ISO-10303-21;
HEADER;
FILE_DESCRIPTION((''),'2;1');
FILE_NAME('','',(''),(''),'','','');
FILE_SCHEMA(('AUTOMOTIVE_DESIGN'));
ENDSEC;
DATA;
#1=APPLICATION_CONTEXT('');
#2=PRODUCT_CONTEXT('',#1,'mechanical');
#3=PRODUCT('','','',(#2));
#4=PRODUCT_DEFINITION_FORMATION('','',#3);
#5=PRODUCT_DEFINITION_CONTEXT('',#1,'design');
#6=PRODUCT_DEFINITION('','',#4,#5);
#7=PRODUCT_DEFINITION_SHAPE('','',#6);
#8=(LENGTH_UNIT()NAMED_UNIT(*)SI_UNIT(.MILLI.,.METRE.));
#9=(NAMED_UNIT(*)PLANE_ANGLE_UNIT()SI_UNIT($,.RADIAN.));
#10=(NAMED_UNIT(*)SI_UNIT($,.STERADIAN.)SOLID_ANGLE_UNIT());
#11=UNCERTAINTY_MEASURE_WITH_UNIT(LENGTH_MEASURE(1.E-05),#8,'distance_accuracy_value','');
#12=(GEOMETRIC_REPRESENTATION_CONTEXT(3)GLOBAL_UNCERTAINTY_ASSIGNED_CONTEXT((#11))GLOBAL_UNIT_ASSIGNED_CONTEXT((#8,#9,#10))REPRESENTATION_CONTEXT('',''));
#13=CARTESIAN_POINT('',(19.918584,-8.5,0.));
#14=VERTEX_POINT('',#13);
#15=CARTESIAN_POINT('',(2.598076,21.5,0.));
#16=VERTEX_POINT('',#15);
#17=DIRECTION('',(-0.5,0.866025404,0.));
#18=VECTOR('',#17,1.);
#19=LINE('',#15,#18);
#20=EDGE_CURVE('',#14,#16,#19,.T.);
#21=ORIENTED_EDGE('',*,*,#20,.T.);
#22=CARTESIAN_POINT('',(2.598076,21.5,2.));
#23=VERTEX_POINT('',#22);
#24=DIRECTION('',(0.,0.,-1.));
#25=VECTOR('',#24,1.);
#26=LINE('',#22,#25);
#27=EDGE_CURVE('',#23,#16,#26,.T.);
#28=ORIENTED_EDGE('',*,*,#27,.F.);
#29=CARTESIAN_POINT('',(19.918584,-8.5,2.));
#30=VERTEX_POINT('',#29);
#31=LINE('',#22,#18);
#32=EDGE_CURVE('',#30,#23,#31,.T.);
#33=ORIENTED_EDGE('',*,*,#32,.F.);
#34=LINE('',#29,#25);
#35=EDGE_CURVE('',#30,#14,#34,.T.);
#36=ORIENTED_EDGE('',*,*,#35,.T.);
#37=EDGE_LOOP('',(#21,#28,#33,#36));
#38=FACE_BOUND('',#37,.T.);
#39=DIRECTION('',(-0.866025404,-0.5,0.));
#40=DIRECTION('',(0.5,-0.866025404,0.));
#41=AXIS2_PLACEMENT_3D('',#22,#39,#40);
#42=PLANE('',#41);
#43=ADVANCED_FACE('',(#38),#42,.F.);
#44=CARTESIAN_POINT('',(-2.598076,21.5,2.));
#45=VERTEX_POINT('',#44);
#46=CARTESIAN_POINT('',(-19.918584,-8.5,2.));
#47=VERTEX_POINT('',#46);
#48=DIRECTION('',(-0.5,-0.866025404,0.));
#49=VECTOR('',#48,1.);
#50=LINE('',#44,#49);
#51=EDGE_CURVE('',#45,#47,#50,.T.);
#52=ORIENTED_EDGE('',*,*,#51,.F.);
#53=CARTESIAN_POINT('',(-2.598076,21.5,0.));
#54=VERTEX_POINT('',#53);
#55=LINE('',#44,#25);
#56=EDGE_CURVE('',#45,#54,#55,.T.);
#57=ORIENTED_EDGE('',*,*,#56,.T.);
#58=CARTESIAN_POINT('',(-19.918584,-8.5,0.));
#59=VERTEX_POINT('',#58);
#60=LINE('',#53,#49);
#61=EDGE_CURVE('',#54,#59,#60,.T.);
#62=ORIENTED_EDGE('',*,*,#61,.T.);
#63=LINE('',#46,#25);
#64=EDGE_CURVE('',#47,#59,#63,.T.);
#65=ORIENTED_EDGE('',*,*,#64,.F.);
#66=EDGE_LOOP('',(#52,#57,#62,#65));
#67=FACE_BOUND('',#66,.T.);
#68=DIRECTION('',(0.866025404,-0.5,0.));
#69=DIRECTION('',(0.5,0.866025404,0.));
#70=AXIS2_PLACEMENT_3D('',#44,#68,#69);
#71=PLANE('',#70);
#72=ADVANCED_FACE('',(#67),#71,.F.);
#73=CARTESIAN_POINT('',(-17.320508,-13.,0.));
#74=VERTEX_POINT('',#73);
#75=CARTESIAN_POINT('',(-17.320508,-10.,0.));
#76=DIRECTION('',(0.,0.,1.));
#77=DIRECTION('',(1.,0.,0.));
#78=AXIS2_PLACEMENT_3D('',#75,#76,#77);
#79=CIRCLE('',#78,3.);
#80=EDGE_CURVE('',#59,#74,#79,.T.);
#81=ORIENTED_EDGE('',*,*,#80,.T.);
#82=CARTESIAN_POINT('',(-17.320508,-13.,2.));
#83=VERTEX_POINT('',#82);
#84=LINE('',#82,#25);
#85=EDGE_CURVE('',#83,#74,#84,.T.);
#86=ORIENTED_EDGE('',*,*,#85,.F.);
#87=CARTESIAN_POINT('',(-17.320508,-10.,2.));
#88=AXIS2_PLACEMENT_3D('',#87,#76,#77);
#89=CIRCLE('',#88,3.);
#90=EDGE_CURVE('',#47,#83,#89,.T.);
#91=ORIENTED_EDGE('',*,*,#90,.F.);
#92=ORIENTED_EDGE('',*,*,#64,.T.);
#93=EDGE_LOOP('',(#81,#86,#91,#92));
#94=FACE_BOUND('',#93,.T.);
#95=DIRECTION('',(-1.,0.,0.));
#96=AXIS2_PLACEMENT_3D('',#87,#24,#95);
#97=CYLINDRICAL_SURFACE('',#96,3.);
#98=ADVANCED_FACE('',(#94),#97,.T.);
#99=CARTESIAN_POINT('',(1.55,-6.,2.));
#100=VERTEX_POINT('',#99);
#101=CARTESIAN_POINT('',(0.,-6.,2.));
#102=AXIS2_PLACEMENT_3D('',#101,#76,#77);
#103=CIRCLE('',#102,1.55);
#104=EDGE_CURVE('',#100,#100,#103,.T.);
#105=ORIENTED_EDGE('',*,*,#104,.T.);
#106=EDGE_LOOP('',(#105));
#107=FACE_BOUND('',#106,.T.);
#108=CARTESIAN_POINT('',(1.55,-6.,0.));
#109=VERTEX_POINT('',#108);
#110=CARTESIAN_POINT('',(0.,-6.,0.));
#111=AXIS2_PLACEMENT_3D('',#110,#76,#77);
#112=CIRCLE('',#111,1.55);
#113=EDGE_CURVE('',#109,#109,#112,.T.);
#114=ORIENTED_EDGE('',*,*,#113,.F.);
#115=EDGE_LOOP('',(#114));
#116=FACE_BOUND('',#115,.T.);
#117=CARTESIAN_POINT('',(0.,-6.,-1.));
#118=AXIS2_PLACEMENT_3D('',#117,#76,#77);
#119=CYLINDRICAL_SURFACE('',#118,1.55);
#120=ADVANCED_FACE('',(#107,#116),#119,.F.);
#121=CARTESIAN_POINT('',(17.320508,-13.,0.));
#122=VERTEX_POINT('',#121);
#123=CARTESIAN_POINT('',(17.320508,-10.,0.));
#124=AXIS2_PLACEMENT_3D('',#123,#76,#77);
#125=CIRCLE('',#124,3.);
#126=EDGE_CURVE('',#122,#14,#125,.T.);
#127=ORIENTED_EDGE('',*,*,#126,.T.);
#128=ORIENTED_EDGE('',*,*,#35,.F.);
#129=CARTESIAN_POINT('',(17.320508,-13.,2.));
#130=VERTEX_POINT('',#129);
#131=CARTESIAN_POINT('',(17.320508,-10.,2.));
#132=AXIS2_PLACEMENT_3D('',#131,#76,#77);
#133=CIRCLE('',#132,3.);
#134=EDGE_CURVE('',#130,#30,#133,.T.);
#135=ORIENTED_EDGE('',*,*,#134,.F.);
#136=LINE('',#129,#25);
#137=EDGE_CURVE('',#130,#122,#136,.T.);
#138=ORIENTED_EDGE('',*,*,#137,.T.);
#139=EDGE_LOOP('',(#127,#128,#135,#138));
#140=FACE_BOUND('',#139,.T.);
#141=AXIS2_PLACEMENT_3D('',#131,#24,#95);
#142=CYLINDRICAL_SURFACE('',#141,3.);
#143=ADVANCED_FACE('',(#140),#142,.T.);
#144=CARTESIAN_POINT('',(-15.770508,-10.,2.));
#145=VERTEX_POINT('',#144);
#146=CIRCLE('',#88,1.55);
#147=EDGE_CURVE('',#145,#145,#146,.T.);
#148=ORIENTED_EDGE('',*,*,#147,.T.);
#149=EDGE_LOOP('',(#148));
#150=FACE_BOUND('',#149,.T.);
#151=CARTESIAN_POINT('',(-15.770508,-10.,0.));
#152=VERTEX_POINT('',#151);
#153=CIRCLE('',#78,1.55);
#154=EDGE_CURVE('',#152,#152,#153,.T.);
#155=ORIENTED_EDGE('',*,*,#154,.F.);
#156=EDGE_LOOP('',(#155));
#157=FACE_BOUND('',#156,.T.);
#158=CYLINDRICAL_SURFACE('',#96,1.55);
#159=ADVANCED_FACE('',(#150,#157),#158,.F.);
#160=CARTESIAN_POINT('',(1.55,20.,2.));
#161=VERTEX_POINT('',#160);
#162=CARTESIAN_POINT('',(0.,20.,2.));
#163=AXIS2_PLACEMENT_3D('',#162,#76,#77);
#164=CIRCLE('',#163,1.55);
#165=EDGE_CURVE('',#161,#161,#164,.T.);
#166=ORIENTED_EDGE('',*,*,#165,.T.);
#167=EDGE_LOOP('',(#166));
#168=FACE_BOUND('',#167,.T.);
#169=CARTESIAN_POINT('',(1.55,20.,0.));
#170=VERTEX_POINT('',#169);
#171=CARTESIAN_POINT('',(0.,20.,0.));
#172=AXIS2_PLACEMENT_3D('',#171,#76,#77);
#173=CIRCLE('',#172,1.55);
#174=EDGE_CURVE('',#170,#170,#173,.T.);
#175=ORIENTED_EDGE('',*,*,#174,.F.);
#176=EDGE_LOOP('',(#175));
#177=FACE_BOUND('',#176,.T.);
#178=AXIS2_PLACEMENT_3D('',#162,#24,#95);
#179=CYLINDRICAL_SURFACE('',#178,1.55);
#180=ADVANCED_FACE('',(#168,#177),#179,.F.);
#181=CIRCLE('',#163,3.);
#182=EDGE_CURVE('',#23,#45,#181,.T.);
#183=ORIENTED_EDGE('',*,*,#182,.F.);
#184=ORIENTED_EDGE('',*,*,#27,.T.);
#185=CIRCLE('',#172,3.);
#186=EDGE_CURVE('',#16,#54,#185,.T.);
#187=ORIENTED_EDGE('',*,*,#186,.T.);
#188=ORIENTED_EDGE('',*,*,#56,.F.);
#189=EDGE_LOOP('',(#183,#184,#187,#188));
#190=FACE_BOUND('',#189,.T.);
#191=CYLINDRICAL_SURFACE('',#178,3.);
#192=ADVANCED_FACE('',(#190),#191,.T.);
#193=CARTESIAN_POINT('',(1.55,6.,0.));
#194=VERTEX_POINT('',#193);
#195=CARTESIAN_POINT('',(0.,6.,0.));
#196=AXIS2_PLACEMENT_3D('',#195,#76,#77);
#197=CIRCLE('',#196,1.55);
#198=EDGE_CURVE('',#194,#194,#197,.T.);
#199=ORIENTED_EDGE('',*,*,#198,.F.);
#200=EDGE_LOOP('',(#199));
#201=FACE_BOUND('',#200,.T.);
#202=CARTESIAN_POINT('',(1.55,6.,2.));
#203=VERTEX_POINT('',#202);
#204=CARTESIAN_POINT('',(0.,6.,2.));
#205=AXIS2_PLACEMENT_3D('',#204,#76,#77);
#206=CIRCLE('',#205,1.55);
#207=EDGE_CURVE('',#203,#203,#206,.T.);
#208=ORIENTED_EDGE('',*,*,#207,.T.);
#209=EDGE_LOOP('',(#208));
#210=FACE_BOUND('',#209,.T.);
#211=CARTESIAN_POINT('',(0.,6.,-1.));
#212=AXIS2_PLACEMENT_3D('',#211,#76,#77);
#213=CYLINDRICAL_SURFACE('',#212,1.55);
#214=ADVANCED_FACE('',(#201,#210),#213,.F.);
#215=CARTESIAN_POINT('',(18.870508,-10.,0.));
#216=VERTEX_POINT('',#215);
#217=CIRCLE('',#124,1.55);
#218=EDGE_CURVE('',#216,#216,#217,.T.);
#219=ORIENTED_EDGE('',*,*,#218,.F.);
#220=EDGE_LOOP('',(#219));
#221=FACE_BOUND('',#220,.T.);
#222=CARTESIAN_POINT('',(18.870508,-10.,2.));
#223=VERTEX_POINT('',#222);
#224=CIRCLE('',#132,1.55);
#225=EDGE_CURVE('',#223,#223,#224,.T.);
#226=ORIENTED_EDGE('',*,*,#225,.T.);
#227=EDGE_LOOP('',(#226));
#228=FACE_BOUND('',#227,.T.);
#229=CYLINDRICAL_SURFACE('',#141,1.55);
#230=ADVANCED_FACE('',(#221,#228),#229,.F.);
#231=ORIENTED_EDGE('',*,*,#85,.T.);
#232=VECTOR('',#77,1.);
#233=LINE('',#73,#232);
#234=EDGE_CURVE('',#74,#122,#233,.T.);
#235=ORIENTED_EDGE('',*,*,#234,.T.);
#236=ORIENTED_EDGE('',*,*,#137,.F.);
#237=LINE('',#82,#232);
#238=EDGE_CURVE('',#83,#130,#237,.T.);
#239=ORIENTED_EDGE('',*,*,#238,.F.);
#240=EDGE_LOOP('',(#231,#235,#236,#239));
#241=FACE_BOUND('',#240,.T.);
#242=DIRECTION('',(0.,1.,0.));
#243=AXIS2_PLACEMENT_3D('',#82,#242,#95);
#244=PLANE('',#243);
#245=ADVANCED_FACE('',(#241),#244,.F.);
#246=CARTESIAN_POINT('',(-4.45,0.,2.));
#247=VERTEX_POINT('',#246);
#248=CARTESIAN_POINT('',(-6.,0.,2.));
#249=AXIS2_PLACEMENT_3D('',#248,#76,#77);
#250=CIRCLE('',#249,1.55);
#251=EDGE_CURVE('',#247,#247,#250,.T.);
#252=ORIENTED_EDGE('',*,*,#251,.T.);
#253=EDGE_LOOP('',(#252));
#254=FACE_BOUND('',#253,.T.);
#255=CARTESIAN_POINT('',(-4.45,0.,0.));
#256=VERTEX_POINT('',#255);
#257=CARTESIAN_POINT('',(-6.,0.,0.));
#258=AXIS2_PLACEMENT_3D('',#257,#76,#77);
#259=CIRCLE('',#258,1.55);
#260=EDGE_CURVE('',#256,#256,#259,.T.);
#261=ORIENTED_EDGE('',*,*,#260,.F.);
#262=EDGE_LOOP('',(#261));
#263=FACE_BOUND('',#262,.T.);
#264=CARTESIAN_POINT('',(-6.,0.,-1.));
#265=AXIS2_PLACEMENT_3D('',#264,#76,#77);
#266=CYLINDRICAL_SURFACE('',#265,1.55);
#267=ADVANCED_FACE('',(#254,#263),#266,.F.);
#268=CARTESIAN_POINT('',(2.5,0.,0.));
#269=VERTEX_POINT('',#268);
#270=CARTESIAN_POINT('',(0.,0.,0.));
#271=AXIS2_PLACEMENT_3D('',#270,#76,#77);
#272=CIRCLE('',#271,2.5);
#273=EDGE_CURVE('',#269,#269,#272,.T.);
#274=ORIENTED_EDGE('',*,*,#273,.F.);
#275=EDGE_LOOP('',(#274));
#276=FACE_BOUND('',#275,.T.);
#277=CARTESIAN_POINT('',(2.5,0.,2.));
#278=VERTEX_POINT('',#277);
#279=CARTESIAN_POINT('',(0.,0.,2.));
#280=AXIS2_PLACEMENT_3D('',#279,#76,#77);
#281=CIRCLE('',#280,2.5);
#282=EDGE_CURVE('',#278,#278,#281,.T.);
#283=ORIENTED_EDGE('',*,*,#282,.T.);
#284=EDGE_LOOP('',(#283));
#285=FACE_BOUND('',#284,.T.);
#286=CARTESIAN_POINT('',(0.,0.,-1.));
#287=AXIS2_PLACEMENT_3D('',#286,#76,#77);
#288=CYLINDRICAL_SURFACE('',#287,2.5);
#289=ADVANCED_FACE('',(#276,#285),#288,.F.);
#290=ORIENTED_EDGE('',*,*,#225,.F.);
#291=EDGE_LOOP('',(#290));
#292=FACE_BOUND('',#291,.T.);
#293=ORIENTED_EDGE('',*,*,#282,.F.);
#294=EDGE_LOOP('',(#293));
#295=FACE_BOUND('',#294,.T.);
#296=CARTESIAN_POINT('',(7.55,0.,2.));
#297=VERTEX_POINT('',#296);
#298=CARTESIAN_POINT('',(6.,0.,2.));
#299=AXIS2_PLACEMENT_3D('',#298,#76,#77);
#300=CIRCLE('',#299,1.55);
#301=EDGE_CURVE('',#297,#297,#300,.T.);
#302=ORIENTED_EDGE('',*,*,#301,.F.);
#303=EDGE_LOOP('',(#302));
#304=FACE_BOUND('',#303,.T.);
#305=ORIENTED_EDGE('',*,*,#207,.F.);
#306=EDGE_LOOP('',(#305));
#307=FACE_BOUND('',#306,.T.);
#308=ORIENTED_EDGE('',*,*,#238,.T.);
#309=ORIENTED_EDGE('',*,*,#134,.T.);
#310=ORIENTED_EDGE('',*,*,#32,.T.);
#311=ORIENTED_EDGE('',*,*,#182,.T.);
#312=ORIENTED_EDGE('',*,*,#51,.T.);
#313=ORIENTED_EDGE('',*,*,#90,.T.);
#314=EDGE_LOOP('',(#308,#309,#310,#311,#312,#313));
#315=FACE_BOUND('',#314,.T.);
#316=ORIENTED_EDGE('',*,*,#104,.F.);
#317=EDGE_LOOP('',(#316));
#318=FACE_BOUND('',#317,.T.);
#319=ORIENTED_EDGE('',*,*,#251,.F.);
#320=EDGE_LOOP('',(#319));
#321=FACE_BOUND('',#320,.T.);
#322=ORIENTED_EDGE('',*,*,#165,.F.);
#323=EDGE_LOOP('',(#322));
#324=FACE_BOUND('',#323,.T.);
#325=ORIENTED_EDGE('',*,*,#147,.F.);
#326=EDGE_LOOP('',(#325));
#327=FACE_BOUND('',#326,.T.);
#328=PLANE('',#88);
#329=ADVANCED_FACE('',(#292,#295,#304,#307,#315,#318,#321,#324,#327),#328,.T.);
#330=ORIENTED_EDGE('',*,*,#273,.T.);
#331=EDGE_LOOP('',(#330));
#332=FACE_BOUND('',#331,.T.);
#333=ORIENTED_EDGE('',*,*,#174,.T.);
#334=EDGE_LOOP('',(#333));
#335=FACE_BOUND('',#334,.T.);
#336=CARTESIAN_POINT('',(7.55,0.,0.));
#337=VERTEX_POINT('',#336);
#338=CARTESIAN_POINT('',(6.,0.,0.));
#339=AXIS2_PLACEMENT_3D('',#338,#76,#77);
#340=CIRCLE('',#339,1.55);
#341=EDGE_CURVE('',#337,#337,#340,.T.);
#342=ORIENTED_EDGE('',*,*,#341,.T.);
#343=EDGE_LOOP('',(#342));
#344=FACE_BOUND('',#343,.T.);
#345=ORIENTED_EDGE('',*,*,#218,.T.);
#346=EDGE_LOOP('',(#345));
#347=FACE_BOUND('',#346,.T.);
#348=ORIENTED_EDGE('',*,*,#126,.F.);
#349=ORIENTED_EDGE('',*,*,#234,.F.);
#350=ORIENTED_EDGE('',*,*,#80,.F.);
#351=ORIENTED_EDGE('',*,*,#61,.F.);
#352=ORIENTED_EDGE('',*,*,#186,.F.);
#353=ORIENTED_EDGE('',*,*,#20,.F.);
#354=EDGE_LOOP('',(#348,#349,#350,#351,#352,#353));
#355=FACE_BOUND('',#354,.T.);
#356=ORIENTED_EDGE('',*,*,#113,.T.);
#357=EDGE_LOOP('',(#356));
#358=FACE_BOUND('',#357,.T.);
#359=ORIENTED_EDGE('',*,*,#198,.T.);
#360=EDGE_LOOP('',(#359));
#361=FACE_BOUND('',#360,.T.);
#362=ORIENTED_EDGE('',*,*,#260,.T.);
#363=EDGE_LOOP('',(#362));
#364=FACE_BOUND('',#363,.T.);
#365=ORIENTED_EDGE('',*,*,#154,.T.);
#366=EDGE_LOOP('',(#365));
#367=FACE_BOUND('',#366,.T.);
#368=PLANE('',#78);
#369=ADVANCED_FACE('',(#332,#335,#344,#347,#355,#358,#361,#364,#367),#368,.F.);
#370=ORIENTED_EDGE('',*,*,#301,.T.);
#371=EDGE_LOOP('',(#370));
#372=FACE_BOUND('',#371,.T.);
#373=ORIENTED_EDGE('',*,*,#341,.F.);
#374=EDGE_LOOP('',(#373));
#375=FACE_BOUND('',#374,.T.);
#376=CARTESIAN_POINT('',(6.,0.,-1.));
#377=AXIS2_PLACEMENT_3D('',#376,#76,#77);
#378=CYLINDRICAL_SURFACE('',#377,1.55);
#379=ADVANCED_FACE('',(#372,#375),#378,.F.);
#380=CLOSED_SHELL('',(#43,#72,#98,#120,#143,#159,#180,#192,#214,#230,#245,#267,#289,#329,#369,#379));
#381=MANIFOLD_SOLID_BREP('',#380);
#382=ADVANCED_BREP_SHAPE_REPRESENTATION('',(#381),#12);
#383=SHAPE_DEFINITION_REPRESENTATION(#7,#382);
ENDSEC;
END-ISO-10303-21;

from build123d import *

# Parameters (mm, degrees)
SKETCH_1_R          = 1.55
EXTRUDE_1_DEPTH     = 2
SKETCH_2_R          = 1.55
CUT_EXTRUDE_1_DEPTH = 3
SKETCH_4_R          = 2.5
CUT_EXTRUDE_2_DEPTH = 3


with BuildPart() as part:
    # 草图1 → 凸台-拉伸1 (new body)
    with BuildSketch(Plane.XY):
        with BuildLine():
            Line((-2.598076211, 21.5), (-19.918584287, -8.5))
            ThreePointArc((-19.918584287, -8.5), (-19.918584287, -11.5), (-17.320508076, -13))
            Line((-17.320508076, -13), (17.320508076, -13))
            ThreePointArc((17.320508076, -13), (19.918584287, -11.5), (19.918584287, -8.5))
            Line((19.918584287, -8.5), (2.598076211, 21.5))
            ThreePointArc((2.598076211, 21.5), (0, 23), (-2.598076211, 21.5))
        make_face()
        with Locations((0, 20)):
            Circle(SKETCH_1_R, mode=Mode.SUBTRACT)
        with Locations((17.320508076, -10)):
            Circle(SKETCH_1_R, mode=Mode.SUBTRACT)
        with Locations((-17.320508076, -10)):
            Circle(SKETCH_1_R, mode=Mode.SUBTRACT)
    extrude(amount=EXTRUDE_1_DEPTH)

    # 草图2 → 切除-拉伸1 (cut)
    with BuildSketch(Plane.XY.offset(2)):
        with Locations((0, 6)):
            Circle(SKETCH_2_R)
        with Locations((6, 0)):
            Circle(SKETCH_2_R)
        with Locations((0, -6)):
            Circle(SKETCH_2_R)
        with Locations((-6, 0)):
            Circle(SKETCH_2_R)
    extrude(amount=-CUT_EXTRUDE_1_DEPTH, mode=Mode.SUBTRACT)

    # 草图4 → 切除-拉伸2 (cut)
    with BuildSketch(Plane.XY.offset(2)):
        Circle(SKETCH_4_R)
    extrude(amount=-CUT_EXTRUDE_2_DEPTH, mode=Mode.SUBTRACT)


solid = part.part
